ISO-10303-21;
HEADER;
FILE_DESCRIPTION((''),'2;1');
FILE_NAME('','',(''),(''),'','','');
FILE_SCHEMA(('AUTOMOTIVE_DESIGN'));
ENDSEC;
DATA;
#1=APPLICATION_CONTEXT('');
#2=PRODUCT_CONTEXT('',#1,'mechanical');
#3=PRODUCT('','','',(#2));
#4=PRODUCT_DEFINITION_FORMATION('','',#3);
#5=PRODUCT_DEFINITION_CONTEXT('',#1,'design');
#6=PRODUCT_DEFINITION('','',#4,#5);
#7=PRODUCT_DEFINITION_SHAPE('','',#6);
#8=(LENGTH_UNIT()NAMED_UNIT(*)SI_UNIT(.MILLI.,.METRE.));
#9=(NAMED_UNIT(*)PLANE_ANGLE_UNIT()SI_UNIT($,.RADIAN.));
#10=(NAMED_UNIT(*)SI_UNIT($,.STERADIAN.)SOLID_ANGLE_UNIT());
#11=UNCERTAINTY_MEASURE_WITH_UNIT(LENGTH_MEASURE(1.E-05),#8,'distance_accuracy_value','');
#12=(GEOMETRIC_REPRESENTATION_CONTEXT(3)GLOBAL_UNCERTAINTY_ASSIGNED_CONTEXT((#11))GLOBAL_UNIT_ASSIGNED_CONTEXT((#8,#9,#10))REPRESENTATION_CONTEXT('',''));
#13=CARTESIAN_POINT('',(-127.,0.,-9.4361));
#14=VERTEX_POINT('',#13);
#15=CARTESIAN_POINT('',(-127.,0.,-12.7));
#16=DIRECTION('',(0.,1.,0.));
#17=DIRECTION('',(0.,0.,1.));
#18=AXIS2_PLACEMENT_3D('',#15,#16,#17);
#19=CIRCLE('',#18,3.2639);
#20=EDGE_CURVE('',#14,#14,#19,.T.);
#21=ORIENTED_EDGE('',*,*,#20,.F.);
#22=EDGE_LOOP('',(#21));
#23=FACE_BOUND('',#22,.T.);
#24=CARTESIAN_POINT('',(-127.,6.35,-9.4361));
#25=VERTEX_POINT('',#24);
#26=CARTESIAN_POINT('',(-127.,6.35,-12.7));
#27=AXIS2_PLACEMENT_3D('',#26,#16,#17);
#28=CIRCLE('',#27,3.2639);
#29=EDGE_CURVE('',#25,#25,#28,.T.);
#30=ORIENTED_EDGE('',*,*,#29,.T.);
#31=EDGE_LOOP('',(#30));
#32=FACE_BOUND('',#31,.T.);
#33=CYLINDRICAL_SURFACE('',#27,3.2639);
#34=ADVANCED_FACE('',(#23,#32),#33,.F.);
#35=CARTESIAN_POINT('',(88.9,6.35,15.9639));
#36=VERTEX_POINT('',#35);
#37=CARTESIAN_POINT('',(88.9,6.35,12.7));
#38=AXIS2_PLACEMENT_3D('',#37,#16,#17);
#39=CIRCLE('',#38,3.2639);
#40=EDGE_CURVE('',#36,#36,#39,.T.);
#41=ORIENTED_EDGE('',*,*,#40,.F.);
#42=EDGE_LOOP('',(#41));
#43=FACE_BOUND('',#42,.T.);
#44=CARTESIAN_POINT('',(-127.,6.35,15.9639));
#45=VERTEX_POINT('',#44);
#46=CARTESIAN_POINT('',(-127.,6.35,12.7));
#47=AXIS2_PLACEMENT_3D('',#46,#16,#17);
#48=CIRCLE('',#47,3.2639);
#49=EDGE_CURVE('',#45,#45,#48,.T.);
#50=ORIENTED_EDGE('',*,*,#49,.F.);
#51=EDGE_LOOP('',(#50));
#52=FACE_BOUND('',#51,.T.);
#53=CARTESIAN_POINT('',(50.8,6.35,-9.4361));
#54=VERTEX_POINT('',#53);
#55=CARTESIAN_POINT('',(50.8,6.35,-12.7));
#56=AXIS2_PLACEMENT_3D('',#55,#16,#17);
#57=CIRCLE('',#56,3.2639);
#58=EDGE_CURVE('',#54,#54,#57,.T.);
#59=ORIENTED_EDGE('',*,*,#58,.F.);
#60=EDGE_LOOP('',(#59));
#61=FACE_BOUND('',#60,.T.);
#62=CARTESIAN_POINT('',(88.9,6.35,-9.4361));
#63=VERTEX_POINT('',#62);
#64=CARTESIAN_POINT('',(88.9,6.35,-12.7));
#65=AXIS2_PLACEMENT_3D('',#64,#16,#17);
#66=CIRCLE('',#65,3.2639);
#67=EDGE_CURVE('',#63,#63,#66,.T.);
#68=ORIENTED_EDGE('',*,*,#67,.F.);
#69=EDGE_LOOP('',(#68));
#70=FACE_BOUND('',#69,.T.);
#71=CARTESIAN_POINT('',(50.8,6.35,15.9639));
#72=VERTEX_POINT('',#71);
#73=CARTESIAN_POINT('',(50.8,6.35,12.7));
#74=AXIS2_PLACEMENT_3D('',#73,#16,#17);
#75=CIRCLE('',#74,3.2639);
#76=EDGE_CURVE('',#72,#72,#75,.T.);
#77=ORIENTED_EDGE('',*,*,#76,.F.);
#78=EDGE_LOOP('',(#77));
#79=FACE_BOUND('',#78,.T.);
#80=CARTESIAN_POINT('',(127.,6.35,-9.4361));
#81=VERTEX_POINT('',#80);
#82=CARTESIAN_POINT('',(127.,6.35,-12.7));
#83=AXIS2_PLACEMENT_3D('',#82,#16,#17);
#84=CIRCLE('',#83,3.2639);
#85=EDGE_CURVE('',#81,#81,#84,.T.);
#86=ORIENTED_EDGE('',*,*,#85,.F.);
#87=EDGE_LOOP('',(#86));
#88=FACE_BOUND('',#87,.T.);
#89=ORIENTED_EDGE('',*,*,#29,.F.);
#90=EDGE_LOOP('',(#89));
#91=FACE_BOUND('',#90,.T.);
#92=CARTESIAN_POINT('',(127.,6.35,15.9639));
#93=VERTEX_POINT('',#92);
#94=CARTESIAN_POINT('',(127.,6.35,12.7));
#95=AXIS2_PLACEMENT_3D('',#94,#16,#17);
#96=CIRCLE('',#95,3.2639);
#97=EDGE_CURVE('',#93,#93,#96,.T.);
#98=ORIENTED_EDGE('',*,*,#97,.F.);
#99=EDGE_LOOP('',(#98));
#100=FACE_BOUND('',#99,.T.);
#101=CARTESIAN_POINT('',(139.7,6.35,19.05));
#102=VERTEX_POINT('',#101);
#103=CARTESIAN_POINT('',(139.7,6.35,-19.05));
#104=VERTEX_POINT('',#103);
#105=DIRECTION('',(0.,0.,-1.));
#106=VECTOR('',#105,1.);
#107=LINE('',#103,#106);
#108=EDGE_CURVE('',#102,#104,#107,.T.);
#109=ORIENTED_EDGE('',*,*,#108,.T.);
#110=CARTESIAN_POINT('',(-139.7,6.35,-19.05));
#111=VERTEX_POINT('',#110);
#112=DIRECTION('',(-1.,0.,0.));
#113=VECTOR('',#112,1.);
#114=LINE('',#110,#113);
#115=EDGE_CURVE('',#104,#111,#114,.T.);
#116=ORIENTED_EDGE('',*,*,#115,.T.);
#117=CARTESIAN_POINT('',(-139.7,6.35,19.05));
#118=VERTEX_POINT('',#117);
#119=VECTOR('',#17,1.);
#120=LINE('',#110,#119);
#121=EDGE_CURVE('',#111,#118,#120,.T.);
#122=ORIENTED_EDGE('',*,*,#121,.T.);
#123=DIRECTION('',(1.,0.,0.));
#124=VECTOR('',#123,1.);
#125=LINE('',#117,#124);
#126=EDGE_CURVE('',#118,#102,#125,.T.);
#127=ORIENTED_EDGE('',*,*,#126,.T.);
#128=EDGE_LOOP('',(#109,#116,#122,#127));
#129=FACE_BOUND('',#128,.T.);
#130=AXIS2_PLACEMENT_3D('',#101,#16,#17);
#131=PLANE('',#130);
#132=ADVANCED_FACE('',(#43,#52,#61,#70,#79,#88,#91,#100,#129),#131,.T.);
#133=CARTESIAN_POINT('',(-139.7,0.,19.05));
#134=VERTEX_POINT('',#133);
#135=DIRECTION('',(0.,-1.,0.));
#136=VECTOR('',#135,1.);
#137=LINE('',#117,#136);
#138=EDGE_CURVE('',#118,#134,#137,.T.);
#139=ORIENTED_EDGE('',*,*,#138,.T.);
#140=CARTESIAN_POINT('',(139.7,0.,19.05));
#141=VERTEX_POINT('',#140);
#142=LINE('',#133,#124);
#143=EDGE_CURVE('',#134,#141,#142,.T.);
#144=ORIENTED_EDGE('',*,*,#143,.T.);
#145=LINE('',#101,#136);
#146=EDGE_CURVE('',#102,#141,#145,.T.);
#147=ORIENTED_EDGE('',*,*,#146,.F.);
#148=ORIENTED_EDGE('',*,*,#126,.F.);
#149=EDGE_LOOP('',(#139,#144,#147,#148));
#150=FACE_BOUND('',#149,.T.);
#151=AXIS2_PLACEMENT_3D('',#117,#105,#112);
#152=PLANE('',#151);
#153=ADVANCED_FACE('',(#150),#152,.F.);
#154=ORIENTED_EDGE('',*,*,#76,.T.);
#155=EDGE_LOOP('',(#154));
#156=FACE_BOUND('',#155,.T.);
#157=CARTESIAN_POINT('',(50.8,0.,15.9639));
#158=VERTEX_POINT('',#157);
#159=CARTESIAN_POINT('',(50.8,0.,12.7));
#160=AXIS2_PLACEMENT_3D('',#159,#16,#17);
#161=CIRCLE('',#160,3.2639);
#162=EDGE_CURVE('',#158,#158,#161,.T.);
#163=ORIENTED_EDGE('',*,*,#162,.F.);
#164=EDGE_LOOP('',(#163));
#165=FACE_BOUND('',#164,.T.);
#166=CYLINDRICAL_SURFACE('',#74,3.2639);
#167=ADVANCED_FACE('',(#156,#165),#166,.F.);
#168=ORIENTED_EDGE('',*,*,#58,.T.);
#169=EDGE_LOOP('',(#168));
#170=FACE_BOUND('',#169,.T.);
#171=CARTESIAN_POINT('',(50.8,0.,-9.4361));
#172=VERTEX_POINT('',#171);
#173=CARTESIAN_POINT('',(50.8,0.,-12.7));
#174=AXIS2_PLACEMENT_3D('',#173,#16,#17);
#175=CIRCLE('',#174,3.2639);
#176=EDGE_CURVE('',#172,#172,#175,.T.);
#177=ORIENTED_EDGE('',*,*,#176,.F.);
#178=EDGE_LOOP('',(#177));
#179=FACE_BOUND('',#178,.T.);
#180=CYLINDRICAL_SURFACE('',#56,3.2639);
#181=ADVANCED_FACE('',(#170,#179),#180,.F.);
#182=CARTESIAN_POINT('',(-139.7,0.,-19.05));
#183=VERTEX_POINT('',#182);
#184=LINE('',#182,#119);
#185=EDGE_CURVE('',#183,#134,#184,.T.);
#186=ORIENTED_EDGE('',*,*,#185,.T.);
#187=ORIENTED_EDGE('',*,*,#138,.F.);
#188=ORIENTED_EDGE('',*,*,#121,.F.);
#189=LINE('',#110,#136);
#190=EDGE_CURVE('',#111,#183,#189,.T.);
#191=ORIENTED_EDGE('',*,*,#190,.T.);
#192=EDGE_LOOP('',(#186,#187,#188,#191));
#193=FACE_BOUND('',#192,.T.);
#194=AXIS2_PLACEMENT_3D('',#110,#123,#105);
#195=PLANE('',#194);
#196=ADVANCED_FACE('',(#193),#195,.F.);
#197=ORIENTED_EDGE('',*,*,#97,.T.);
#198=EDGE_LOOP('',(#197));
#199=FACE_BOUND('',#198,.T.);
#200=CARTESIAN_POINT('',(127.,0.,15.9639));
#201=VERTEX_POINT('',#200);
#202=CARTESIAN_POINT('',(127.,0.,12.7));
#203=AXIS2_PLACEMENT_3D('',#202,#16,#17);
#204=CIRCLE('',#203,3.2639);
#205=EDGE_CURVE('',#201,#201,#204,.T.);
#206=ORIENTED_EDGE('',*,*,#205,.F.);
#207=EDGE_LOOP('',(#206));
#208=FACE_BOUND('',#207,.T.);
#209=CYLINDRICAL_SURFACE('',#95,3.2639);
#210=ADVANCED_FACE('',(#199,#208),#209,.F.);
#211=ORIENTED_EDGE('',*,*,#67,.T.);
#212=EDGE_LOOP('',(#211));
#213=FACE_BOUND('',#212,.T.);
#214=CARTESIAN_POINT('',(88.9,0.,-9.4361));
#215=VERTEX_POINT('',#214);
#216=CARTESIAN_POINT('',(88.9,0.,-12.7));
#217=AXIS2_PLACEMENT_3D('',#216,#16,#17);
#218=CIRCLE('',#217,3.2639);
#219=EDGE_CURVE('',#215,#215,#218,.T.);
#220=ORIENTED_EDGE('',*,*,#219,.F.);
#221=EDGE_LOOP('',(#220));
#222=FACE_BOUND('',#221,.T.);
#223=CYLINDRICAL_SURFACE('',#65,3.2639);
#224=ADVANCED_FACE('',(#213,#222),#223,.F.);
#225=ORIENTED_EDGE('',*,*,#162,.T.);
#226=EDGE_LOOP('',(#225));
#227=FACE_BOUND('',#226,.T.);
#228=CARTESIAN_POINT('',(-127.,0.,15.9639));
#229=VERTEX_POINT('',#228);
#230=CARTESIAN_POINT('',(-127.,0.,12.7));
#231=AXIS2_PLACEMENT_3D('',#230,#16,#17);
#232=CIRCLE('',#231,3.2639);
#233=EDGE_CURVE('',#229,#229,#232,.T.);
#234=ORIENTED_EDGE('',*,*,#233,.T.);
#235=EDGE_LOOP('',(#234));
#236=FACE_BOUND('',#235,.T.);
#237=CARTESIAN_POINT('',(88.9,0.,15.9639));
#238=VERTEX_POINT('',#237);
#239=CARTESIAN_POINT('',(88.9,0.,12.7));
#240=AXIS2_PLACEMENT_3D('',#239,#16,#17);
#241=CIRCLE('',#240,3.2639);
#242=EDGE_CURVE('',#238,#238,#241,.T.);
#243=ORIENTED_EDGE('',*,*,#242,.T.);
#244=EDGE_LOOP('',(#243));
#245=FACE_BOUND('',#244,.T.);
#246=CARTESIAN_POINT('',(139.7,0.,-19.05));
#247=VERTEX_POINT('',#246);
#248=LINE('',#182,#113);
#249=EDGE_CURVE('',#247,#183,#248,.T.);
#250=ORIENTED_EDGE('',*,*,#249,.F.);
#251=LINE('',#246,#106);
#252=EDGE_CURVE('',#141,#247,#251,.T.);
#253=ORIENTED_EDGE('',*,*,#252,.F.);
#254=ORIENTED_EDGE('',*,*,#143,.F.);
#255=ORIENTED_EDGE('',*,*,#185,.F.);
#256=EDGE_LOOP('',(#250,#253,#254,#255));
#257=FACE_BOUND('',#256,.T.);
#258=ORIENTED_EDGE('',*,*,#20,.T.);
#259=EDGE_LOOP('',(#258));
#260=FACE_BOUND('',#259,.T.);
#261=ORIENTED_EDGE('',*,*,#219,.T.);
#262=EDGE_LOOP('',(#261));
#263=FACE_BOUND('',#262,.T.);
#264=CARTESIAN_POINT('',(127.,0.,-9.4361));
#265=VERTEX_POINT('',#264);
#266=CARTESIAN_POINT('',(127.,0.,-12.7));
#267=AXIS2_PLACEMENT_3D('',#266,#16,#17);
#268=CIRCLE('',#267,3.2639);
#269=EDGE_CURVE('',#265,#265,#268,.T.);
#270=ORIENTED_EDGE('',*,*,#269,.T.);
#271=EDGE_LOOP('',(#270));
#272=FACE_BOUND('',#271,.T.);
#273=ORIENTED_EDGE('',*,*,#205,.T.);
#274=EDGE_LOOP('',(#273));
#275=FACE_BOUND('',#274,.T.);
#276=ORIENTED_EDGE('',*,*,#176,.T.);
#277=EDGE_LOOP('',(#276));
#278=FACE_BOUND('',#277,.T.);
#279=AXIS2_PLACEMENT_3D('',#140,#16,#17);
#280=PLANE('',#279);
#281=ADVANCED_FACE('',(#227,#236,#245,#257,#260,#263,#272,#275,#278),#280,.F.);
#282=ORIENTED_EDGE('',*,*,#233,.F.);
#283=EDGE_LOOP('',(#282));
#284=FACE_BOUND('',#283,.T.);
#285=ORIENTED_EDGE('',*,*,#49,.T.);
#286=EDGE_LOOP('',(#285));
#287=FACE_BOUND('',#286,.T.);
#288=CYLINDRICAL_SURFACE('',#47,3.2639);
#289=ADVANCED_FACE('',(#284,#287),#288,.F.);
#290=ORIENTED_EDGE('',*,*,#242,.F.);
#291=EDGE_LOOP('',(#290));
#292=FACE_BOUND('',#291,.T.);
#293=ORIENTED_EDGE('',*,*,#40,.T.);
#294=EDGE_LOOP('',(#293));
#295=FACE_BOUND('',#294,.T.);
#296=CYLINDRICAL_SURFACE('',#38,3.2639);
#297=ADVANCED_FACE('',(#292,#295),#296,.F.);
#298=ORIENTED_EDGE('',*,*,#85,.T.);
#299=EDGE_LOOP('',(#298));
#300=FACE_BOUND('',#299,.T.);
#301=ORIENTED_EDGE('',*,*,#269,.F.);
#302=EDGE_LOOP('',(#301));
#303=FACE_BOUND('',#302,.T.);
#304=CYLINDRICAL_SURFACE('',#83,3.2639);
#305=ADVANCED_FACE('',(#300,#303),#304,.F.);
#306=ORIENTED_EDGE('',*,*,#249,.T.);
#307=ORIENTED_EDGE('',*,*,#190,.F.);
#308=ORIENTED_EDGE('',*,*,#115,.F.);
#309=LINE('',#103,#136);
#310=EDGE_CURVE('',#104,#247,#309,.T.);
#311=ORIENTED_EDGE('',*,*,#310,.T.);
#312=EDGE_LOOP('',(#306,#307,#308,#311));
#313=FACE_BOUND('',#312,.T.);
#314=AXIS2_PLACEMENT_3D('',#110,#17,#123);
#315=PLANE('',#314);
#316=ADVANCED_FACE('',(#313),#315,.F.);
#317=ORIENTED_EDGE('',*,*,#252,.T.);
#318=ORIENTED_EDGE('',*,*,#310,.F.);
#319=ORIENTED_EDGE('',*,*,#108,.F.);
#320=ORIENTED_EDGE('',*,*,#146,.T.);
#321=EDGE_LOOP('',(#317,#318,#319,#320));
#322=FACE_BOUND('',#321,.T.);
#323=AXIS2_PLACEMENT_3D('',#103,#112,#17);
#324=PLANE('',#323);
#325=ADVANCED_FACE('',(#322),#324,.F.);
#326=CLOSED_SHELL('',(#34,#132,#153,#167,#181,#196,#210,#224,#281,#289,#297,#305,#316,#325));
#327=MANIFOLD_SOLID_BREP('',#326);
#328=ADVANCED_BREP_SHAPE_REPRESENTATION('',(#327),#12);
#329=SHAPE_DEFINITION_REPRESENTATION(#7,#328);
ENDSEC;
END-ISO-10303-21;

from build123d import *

# Parameters (mm, degrees)
SKETCH1_W                   = 279.4
SKETCH1_H                   = 38.1
BOSS_EXTRUDE1_DEPTH         = 6.35
F_1_4_CLEARANCE_HOLE1_D     = 6.5278
F_1_4_CLEARANCE_HOLE1_DEPTH = 6.35


with BuildPart() as part:
    # Sketch1 → Boss-Extrude1 (new body)
    with BuildSketch(Plane(origin=(0, 0, 0), x_dir=(1, 0, 0), z_dir=(0, 1, 0))):
        Rectangle(SKETCH1_W, SKETCH1_H)
    extrude(amount=BOSS_EXTRUDE1_DEPTH)

    # 1/4 Clearance Hole1
    with Locations(Plane(origin=(0, 6.35, 0), x_dir=(-1, 0, 0), z_dir=(0, 1, 0))):
        with Locations((127, 12.7), (127, -12.7), (-127, -12.7), (-127, 12.7), (-88.9, -12.7), (-88.9, 12.7), (-50.8, -12.7), (-50.8, 12.7)):
            Hole(F_1_4_CLEARANCE_HOLE1_D / 2, depth=F_1_4_CLEARANCE_HOLE1_DEPTH)


solid = part.part
